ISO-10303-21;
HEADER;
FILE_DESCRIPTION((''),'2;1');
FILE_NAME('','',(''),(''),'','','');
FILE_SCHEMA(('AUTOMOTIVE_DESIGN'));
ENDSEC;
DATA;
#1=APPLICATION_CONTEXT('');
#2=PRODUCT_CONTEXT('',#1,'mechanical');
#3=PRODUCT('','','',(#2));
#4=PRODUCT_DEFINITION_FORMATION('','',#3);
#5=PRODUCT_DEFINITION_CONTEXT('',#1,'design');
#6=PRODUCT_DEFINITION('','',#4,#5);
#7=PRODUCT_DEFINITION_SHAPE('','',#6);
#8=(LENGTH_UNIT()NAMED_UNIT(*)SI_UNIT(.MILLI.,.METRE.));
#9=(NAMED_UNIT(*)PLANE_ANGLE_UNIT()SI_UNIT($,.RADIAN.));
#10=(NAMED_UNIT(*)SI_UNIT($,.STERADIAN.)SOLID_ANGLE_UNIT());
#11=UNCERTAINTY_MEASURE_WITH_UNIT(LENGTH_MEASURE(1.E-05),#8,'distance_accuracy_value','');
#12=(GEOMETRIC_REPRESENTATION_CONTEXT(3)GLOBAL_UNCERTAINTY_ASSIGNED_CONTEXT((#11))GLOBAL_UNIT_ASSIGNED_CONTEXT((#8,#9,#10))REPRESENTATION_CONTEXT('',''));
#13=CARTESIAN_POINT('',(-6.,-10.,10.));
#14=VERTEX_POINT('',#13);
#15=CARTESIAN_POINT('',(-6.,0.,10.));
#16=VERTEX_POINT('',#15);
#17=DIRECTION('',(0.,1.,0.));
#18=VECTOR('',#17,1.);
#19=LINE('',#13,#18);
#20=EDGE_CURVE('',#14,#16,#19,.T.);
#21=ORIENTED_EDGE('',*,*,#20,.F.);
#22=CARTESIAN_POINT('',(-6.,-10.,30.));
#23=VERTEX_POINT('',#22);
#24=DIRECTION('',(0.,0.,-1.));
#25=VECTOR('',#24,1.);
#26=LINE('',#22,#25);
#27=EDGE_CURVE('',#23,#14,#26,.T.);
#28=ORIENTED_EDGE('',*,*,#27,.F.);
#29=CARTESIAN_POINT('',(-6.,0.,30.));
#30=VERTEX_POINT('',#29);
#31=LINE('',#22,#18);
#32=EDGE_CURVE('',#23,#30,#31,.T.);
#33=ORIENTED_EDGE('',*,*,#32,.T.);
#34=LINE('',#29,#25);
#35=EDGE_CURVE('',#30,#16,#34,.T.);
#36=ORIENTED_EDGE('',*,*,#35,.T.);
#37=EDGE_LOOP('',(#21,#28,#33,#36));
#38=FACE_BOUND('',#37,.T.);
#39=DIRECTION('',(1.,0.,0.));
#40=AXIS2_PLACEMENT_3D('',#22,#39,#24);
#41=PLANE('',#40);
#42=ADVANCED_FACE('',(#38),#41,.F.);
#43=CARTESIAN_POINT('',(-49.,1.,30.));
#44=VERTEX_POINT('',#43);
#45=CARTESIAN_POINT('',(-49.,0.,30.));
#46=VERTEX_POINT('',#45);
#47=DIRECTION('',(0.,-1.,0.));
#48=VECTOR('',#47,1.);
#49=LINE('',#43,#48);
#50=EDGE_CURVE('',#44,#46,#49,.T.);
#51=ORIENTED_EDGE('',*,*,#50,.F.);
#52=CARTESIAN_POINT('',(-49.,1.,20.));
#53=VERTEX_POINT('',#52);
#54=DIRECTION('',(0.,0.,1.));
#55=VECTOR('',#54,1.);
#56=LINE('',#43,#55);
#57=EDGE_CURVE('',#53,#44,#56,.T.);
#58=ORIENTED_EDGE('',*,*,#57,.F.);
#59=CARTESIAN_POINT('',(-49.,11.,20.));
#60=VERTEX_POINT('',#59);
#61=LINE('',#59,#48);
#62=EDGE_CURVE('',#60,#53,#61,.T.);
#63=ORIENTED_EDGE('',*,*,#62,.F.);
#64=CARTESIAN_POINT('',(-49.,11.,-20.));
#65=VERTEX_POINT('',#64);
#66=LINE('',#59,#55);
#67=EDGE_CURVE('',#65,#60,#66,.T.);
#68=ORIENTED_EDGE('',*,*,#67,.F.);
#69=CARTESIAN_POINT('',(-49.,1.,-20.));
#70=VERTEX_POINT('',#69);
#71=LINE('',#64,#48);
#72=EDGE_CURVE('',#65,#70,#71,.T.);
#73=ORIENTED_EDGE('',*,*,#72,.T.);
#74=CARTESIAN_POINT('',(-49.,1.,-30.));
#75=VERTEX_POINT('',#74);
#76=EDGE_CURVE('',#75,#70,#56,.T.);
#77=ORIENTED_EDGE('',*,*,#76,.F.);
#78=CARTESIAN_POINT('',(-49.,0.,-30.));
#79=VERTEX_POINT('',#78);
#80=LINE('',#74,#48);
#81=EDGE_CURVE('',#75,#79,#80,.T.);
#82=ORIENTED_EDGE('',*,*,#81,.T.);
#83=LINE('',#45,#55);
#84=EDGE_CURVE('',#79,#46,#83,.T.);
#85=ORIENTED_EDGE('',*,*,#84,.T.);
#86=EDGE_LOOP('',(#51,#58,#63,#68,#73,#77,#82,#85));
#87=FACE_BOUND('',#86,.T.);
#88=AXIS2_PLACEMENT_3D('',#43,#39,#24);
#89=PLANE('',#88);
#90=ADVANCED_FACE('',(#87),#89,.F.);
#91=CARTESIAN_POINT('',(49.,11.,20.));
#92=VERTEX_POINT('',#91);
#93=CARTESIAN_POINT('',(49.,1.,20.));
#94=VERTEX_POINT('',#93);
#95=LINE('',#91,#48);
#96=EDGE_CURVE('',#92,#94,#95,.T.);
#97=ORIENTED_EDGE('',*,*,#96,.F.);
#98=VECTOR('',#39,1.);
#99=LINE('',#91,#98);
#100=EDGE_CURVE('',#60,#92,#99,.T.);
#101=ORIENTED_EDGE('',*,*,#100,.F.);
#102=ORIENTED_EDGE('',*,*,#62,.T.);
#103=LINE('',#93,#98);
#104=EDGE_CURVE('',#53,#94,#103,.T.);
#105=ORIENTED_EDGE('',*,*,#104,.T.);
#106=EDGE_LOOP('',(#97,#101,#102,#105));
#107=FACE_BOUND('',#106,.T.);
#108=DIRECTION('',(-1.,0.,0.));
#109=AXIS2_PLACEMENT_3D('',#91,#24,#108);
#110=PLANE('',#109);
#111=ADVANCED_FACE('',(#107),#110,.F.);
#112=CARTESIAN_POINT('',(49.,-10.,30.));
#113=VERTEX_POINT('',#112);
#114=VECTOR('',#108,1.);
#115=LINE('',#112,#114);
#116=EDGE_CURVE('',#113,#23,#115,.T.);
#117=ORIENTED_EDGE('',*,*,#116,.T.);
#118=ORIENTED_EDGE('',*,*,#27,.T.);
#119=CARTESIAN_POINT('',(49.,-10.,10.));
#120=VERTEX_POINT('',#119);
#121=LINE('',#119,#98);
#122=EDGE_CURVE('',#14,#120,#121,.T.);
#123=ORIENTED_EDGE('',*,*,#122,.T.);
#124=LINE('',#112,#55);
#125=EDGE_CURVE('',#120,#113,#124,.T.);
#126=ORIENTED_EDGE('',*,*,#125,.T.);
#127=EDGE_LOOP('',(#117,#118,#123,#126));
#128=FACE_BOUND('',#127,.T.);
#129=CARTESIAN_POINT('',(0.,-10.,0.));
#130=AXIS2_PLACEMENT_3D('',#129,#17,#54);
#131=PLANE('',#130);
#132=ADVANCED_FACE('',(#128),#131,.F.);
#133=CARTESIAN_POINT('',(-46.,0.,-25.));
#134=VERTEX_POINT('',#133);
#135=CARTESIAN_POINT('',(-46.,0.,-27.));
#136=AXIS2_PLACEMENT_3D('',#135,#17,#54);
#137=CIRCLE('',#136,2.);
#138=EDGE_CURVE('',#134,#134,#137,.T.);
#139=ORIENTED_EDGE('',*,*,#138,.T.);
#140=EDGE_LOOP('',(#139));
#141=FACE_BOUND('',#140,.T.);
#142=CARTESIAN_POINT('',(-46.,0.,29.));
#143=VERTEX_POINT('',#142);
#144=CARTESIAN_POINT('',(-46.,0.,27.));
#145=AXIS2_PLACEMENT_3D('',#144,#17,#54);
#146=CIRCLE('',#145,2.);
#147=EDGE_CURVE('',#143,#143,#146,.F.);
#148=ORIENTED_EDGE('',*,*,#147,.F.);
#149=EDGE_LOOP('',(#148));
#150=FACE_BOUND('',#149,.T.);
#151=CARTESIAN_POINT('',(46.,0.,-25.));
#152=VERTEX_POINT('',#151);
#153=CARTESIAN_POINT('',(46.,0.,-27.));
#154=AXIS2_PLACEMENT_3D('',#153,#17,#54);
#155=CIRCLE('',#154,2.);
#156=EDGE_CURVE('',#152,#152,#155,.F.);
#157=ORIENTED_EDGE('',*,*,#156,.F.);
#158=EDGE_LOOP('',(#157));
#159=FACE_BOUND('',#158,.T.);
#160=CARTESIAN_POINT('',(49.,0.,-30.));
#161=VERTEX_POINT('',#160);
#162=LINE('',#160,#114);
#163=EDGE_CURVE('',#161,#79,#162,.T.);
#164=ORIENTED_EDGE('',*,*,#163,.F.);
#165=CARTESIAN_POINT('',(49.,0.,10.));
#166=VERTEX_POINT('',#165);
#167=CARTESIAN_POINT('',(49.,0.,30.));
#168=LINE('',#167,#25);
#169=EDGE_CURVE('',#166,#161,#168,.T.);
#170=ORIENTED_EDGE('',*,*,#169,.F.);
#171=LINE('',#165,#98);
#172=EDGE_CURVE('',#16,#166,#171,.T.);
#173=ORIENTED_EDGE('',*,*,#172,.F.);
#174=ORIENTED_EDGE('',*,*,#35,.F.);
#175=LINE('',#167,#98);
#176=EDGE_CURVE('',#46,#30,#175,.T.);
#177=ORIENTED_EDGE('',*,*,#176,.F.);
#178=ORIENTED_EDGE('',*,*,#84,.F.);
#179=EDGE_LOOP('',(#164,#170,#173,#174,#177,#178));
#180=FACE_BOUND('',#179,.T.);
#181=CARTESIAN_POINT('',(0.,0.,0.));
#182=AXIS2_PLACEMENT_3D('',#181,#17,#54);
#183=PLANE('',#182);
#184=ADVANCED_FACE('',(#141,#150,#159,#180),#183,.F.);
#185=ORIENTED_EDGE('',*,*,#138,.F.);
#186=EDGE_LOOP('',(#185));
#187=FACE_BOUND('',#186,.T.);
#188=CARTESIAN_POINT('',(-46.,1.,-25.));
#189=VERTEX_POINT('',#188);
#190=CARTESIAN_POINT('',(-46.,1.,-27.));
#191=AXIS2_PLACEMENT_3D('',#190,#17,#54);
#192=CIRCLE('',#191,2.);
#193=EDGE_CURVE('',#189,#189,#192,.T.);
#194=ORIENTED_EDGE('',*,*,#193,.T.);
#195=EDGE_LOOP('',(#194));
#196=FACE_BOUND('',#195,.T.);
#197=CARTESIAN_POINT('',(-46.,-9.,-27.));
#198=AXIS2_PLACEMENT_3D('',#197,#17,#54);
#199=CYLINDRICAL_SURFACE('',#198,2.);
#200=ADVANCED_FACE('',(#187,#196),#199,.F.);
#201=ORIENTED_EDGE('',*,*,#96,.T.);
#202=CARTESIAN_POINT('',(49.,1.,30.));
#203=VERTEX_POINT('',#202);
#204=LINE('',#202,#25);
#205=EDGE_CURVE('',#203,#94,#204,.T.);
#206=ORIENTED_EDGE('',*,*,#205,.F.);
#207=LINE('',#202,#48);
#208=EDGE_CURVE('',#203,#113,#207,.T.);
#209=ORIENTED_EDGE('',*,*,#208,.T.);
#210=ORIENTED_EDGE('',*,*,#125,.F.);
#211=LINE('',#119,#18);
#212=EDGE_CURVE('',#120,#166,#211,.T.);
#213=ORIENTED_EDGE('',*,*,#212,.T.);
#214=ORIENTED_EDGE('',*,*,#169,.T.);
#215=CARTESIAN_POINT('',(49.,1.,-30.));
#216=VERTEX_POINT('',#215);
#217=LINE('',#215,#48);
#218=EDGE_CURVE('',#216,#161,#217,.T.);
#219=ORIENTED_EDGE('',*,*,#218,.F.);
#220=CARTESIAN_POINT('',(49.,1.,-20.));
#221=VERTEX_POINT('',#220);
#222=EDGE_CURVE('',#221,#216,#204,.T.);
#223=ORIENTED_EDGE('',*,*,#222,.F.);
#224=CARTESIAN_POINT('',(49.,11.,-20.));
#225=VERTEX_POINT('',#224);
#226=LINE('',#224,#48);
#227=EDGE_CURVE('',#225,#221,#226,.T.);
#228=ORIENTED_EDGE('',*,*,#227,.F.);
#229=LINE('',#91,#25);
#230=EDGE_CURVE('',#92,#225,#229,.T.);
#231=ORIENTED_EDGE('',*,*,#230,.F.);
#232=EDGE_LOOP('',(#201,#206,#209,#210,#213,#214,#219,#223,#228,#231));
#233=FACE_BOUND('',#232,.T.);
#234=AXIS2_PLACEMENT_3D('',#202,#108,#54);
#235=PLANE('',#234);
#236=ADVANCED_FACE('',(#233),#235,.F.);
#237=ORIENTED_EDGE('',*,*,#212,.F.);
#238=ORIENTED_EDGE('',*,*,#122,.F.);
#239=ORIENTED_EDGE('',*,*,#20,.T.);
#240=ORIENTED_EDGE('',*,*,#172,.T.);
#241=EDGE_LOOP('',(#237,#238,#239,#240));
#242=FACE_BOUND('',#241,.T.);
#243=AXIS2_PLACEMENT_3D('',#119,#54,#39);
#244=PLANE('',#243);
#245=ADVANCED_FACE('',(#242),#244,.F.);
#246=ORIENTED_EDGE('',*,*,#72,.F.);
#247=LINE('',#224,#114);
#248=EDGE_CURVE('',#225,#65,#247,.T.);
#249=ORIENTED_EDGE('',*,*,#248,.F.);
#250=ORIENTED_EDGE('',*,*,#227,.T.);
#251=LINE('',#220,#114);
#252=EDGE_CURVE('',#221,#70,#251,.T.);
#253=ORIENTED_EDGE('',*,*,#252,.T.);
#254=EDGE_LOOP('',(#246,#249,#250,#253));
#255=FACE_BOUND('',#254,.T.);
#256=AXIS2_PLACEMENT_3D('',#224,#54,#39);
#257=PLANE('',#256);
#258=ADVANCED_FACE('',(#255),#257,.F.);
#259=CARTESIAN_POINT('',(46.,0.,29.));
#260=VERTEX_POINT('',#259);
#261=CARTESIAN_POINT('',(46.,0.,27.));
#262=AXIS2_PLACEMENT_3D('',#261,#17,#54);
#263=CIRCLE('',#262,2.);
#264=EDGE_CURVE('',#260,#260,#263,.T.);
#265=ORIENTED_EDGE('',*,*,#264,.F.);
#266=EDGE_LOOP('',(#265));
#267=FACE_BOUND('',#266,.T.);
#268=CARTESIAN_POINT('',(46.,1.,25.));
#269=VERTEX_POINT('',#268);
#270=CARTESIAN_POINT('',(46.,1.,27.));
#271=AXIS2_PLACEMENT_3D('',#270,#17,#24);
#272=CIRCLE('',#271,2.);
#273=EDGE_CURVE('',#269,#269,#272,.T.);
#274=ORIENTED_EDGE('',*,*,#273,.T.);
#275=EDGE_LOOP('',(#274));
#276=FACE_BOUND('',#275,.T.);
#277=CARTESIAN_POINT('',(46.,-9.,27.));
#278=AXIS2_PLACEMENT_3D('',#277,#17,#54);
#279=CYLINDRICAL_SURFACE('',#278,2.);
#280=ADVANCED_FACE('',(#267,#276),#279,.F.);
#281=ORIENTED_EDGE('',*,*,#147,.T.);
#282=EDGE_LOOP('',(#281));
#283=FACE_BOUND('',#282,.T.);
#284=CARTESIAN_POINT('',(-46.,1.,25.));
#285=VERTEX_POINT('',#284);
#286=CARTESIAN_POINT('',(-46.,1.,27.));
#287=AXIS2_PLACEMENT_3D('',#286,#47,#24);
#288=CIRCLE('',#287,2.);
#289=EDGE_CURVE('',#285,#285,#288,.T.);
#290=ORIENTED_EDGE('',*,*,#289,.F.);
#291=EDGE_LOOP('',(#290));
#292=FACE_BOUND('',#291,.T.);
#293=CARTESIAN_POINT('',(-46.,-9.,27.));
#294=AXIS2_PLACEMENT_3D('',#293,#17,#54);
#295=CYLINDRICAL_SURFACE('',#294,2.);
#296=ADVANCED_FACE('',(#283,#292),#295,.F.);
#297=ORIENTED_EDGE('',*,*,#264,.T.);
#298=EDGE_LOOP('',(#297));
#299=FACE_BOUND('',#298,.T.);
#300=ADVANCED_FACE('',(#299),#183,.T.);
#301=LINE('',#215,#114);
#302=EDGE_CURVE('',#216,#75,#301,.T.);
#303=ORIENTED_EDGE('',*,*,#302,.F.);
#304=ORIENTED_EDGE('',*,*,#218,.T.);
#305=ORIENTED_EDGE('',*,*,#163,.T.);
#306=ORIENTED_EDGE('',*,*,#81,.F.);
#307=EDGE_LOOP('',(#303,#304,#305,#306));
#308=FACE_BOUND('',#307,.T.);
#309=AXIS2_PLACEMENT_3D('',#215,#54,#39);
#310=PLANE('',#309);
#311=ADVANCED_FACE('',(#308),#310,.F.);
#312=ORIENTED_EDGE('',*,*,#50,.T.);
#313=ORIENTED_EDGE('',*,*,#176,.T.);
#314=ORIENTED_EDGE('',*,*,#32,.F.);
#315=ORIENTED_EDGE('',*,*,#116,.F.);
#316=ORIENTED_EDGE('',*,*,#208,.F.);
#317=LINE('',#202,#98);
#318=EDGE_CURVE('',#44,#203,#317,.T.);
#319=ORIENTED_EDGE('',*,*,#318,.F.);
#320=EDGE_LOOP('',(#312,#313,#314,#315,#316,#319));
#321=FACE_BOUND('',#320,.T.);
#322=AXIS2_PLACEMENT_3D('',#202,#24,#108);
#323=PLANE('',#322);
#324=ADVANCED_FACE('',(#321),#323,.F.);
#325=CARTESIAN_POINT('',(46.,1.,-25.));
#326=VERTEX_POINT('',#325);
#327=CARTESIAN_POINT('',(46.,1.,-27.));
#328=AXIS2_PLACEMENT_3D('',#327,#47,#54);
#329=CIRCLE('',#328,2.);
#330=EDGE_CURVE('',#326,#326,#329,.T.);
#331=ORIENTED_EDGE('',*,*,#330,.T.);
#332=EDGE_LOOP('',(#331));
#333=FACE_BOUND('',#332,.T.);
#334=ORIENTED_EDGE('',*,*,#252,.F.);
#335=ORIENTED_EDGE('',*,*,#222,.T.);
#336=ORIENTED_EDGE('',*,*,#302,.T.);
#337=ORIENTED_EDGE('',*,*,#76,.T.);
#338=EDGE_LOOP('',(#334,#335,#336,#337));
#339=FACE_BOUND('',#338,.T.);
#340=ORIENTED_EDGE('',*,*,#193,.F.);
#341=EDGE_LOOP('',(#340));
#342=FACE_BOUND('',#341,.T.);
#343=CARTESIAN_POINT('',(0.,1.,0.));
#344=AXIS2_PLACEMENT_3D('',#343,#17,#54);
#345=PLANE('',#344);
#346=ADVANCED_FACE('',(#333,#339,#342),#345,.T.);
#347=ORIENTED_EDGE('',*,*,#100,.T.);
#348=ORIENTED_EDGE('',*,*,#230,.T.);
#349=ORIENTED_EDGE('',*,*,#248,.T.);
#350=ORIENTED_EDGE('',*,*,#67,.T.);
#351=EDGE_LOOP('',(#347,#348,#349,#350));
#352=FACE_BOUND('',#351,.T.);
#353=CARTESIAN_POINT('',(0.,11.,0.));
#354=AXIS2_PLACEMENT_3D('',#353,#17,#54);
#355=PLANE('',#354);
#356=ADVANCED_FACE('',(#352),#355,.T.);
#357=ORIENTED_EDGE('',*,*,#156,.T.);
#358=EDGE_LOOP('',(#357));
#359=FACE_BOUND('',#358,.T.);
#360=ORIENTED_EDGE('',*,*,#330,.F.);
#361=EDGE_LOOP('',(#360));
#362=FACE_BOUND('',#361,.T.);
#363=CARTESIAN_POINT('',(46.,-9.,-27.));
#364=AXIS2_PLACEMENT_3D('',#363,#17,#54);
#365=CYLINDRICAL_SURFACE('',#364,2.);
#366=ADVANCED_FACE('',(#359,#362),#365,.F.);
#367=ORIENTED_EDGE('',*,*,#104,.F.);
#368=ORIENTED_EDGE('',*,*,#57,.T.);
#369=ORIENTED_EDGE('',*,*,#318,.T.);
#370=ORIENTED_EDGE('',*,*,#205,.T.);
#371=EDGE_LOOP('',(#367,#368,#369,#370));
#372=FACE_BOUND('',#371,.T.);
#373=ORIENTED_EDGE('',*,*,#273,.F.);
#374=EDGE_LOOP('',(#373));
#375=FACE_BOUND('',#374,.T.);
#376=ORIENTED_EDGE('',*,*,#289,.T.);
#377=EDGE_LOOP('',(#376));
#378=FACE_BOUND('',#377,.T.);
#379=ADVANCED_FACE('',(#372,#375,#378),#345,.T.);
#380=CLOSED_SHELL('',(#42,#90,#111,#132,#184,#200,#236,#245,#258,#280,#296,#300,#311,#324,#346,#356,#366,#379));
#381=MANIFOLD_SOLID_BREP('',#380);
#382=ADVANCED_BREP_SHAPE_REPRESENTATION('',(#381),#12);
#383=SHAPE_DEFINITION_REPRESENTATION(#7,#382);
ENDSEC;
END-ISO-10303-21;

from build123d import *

# Parameters (mm, degrees)
SKETCH2_W               = 98
SKETCH2_H               = 60
BOSS_EXTRUDE1_DEPTH     = 1
SKETCH3_W               = 98
SKETCH3_H               = 40
BOSS_EXTRUDE2_DEPTH     = 10
SKETCH4_R               = 2
CUT_EXTRUDE1_DEPTH      = 10
MIRROR2_COPY_1_SKETCH_R = 2
MIRROR2_COPY_1_DEPTH    = 10
SKETCH5_W               = 55
SKETCH5_H               = 20
BOSS_EXTRUDE3_DEPTH     = 10


with BuildPart() as part:
    # Sketch2 → Boss-Extrude1 (new body)
    with BuildSketch(Plane(origin=(0, 0, 0), x_dir=(1, 0, 0), z_dir=(0, 1, 0))):
        Rectangle(SKETCH2_W, SKETCH2_H)
    extrude(amount=BOSS_EXTRUDE1_DEPTH)

    # Sketch3 → Boss-Extrude2 (add)
    with BuildSketch(Plane(origin=(0, 1, 0), x_dir=(1, 0, 0), z_dir=(0, 1, 0))):
        Rectangle(SKETCH3_W, SKETCH3_H)
    extrude(amount=BOSS_EXTRUDE2_DEPTH)

    # Sketch4 → Cut-Extrude1 (cut)
    with BuildSketch(Plane(origin=(0, 1, 0), x_dir=(1, 0, 0), z_dir=(0, 1, 0))):
        with Locations(Location((-46, 27, 0), (0, 0, 270))):
            Circle(SKETCH4_R)
    cut_extrude1 = extrude(amount=-CUT_EXTRUDE1_DEPTH, mode=Mode.SUBTRACT)

    # Mirror1: Cut-Extrude1 across plane
    add(cut_extrude1.mirror(Plane.XY), mode=Mode.SUBTRACT)

    # Mirror2: Cut-Extrude1 across plane
    add(cut_extrude1.mirror(Plane(origin=(0, 0, 0), x_dir=(0, 0, 1), z_dir=(1, 0, 0))), mode=Mode.SUBTRACT)

    # Mirror2 copy 1 sketch → Mirror2 copy 1 (cut)
    with BuildSketch(Plane(origin=(0, 1, 0), x_dir=(-1, 0, 0), z_dir=(0, 1, 0))):
        with Locations(Location((-46, 27, 0), (0, 0, 270))):
            Circle(MIRROR2_COPY_1_SKETCH_R)
    extrude(amount=-MIRROR2_COPY_1_DEPTH, mode=Mode.SUBTRACT)

    # Sketch5 → Boss-Extrude3 (add)
    with BuildSketch(Plane.XZ):
        with Locations((21.5, 20)):
            Rectangle(SKETCH5_W, SKETCH5_H)
    extrude(amount=BOSS_EXTRUDE3_DEPTH)


solid = part.part
